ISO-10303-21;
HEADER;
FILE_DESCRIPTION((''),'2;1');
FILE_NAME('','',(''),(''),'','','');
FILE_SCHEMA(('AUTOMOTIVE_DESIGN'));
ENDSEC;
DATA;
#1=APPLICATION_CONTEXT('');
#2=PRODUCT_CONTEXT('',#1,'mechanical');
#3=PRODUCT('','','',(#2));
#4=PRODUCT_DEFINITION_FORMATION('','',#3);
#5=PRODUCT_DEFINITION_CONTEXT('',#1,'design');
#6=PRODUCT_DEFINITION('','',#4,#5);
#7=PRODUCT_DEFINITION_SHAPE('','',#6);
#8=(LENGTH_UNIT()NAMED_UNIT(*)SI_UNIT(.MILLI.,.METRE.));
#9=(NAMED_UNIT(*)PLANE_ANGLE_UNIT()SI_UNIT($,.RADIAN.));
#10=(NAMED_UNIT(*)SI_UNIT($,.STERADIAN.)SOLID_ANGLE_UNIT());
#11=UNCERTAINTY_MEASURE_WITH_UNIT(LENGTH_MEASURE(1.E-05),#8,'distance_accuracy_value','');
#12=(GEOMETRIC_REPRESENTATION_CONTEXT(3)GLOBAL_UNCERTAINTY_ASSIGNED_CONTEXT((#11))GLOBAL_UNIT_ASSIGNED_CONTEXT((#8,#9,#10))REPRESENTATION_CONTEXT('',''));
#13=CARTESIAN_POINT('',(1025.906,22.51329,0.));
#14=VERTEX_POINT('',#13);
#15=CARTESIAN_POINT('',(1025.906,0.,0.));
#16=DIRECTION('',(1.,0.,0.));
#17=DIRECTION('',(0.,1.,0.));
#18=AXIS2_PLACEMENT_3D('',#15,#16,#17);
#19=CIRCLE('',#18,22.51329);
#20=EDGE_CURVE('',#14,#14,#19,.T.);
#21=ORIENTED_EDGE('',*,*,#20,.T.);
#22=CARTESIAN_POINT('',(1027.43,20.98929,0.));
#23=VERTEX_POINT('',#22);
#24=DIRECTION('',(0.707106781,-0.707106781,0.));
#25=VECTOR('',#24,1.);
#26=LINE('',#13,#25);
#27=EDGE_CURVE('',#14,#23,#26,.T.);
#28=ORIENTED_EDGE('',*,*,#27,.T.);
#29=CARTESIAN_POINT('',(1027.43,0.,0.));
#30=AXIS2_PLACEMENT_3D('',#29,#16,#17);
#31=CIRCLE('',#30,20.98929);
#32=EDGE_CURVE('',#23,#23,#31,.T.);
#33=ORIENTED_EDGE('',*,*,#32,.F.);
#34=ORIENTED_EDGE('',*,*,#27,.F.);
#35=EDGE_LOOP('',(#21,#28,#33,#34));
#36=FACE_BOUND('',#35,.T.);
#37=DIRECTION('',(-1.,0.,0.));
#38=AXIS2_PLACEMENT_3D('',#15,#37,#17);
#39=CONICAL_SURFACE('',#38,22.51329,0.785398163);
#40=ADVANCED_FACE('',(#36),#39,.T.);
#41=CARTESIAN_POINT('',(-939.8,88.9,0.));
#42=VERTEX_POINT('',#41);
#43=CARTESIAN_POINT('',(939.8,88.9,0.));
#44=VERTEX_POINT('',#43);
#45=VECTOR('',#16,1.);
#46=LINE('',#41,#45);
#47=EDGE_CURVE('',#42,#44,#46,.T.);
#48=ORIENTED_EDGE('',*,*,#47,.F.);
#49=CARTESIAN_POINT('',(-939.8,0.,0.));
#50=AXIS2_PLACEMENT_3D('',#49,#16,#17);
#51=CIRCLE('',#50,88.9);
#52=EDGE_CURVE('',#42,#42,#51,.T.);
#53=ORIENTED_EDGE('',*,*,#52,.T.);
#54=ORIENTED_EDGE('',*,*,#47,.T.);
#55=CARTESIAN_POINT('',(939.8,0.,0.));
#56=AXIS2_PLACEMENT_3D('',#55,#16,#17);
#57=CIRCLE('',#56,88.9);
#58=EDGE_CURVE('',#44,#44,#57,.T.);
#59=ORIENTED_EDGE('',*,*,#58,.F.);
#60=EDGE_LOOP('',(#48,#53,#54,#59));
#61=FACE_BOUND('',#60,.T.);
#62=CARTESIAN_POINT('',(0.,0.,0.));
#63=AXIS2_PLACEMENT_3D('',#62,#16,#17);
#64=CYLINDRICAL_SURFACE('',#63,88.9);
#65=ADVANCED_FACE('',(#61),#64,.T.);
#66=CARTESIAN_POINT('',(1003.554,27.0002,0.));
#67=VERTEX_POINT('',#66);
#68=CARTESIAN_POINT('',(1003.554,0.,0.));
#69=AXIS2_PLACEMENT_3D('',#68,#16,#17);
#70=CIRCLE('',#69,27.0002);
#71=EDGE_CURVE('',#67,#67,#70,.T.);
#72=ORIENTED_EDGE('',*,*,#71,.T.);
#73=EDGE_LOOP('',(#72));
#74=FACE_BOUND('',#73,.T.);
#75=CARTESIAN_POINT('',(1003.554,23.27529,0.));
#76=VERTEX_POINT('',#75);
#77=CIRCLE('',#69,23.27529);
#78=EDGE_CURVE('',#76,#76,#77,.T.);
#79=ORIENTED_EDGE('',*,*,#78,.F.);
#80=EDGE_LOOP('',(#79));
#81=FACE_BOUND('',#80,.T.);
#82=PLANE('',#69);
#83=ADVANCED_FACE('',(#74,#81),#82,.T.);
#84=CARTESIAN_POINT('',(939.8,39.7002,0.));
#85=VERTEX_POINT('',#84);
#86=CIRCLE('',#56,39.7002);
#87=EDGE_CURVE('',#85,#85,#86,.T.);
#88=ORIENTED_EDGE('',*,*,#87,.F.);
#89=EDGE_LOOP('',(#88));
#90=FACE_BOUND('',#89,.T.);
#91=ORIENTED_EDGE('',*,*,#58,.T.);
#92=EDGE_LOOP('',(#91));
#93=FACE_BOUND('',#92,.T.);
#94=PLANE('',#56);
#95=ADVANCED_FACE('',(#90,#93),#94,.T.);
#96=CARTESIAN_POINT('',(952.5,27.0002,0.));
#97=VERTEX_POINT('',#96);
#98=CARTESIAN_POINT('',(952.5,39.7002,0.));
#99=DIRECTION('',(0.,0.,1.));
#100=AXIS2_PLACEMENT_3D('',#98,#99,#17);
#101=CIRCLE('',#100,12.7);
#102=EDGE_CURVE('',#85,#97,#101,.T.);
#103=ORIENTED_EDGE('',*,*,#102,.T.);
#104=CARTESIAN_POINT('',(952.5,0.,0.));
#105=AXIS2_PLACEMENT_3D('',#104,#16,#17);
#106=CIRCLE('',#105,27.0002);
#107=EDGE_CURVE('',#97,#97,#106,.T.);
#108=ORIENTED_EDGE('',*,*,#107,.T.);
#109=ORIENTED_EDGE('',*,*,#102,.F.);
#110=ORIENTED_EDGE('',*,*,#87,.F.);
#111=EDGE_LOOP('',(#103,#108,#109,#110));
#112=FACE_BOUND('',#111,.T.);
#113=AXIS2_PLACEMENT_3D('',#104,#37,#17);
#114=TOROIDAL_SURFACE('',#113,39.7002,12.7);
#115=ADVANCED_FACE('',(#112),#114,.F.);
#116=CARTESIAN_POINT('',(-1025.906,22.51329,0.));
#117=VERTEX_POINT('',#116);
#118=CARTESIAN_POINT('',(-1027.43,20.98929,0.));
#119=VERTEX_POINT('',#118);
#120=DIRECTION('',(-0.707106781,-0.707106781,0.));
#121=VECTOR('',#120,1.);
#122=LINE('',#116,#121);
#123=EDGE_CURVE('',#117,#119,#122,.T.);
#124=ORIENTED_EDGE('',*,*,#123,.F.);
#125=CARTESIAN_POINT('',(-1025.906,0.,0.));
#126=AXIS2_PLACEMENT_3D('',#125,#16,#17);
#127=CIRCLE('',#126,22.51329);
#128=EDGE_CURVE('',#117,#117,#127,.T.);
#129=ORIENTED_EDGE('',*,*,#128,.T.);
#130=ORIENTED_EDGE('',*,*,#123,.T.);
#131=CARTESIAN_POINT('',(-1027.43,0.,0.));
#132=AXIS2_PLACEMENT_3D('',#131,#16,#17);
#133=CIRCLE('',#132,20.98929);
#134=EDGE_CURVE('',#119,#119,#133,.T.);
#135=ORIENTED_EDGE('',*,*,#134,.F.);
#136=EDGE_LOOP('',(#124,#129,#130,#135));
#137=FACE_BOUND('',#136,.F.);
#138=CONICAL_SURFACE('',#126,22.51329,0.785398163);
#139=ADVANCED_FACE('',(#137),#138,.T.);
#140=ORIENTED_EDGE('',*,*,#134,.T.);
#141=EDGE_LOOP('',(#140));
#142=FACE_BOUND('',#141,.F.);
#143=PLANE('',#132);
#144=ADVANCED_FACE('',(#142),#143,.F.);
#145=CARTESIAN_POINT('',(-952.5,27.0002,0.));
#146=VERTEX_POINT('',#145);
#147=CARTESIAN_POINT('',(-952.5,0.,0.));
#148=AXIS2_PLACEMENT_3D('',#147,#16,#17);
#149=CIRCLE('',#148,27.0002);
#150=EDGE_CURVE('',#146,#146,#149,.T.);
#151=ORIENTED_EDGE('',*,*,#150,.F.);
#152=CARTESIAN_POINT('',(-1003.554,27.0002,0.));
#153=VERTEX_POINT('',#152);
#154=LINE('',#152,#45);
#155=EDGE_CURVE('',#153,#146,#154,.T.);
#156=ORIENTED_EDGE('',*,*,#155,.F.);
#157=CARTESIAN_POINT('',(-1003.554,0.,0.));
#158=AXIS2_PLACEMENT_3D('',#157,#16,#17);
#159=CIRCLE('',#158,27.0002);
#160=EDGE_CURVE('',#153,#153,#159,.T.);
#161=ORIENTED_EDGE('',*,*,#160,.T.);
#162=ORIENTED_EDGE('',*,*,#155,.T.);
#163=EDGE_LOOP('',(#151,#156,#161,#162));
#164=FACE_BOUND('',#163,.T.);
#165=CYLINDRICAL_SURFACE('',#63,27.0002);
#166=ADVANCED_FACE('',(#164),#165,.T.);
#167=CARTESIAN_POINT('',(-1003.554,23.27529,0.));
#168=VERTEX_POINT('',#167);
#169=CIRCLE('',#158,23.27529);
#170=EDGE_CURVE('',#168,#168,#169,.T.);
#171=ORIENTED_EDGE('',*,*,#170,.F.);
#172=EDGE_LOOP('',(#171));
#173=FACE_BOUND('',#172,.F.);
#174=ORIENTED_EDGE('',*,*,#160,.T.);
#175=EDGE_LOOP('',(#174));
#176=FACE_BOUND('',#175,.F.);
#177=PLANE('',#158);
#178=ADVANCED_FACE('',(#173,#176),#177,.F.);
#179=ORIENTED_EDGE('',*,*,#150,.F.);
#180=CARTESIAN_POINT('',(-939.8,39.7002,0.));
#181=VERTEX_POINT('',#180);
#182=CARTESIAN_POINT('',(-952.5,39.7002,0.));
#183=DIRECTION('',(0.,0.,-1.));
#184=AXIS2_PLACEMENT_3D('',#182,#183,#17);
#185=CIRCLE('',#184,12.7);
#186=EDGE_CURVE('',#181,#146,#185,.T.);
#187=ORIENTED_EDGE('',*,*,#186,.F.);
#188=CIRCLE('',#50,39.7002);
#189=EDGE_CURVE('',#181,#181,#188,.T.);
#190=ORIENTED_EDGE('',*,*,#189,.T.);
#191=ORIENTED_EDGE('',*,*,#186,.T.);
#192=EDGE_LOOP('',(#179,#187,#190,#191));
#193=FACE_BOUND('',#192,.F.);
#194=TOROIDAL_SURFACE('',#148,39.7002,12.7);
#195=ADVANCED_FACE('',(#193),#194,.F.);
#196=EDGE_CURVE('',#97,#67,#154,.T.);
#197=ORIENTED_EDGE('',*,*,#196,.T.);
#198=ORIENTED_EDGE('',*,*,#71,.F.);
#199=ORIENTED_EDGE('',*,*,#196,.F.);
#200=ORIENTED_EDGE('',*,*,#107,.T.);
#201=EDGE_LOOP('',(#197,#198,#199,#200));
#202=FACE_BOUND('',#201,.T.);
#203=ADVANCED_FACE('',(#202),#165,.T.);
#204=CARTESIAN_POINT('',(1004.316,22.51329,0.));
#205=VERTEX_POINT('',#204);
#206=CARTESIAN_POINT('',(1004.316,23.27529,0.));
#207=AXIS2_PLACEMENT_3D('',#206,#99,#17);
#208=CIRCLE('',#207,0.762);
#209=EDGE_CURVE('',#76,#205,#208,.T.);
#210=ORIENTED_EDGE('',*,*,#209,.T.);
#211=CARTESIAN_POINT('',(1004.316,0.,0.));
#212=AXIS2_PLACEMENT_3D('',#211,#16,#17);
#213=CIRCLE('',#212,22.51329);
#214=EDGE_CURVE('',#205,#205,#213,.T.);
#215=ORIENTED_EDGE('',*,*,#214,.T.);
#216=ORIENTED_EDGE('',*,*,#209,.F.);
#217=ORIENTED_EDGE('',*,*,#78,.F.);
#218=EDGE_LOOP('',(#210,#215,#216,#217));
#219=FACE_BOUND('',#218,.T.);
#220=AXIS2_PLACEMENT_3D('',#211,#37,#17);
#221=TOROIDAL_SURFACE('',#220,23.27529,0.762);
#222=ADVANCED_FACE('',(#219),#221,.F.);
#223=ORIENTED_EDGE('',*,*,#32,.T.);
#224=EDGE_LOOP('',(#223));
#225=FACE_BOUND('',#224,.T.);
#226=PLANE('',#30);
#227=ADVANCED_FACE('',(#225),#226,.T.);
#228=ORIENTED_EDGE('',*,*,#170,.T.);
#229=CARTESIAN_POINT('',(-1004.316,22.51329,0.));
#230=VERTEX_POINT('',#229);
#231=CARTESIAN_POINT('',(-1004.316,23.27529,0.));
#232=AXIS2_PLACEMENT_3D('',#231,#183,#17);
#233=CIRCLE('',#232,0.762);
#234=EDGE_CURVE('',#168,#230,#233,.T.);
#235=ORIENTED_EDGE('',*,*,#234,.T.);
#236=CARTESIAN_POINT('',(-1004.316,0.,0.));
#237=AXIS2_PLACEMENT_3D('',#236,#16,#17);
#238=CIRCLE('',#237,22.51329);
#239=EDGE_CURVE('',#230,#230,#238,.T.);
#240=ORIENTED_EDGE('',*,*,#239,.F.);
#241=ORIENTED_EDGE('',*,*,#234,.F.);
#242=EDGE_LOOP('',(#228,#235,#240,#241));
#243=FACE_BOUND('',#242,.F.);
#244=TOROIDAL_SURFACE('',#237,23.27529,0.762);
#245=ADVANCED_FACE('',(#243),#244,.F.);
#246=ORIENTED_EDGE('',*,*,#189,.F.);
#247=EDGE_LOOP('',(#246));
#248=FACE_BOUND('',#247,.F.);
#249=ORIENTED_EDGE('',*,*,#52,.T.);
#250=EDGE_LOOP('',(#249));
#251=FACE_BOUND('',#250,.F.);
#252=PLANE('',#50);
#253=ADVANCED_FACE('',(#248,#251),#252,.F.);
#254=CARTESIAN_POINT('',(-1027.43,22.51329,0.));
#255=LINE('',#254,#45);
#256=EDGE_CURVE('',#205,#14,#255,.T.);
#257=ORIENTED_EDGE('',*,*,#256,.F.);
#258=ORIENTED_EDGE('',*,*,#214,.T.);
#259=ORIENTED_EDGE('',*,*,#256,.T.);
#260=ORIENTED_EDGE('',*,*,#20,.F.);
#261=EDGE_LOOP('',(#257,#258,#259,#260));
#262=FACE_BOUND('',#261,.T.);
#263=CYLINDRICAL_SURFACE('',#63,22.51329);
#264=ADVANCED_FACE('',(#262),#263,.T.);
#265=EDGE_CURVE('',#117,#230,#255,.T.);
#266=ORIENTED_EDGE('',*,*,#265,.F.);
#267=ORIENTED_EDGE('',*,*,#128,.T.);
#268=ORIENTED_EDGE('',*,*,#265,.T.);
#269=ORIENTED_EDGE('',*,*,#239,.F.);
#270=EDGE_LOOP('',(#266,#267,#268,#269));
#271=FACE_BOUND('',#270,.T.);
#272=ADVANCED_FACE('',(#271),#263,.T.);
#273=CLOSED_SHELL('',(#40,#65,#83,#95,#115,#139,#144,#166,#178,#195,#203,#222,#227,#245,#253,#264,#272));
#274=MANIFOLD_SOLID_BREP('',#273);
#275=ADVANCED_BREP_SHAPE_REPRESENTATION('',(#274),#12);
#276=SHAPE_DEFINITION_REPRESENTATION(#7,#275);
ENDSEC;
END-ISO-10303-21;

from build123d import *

# Parameters (mm, degrees)
F0_R     = 22.51329
F1_DEPTH = 1027.43
F2_R     = 27.0002
F3_DEPTH = 1003.554
F4_R     = 88.9
F5_DEPTH = 939.8
F6_R     = 12.7
F7_R     = 0.762
F8_R     = 0.762
F9_SIZE  = 1.524


with BuildPart() as f1:
    # F0 (on Right) → F1 (new body, symmetric)
    with BuildSketch(Plane.YZ):
        Circle(F0_R)
    extrude(amount=F1_DEPTH, both=True)

    # F2 (on Right) → F3 (join, symmetric)
    with BuildSketch(Plane.YZ):
        Circle(F2_R)
    extrude(amount=F3_DEPTH, both=True)

    # F4 (on Right) → F5 (join, symmetric)
    with BuildSketch(Plane.YZ):
        Circle(F4_R)
    extrude(amount=F5_DEPTH, both=True)

    # F6
    f6_edges = [f1.edges().sort_by_distance(p)[0] for p in [
        (939.8, -27.0002, 0),
        (-939.8, -27.0002, 0),
    ]]
    fillet(f6_edges, radius=F6_R)

    # F7
    f7_edges = [f1.edges().sort_by_distance(p)[0] for p in [
        (-1003.554, -22.51329, 0),
    ]]
    fillet(f7_edges, radius=F7_R)

    # F8
    f8_edges = [f1.edges().sort_by_distance(p)[0] for p in [
        (1003.554, -22.51329, 0),
    ]]
    fillet(f8_edges, radius=F8_R)

    # F9
    f9_edges = [f1.edges().sort_by_distance(p)[0] for p in [
        (1027.43, -22.51329, 0),
        (-1027.43, -22.51329, 0),
    ]]
    chamfer(f9_edges, length=F9_SIZE)


solid = f1.part
